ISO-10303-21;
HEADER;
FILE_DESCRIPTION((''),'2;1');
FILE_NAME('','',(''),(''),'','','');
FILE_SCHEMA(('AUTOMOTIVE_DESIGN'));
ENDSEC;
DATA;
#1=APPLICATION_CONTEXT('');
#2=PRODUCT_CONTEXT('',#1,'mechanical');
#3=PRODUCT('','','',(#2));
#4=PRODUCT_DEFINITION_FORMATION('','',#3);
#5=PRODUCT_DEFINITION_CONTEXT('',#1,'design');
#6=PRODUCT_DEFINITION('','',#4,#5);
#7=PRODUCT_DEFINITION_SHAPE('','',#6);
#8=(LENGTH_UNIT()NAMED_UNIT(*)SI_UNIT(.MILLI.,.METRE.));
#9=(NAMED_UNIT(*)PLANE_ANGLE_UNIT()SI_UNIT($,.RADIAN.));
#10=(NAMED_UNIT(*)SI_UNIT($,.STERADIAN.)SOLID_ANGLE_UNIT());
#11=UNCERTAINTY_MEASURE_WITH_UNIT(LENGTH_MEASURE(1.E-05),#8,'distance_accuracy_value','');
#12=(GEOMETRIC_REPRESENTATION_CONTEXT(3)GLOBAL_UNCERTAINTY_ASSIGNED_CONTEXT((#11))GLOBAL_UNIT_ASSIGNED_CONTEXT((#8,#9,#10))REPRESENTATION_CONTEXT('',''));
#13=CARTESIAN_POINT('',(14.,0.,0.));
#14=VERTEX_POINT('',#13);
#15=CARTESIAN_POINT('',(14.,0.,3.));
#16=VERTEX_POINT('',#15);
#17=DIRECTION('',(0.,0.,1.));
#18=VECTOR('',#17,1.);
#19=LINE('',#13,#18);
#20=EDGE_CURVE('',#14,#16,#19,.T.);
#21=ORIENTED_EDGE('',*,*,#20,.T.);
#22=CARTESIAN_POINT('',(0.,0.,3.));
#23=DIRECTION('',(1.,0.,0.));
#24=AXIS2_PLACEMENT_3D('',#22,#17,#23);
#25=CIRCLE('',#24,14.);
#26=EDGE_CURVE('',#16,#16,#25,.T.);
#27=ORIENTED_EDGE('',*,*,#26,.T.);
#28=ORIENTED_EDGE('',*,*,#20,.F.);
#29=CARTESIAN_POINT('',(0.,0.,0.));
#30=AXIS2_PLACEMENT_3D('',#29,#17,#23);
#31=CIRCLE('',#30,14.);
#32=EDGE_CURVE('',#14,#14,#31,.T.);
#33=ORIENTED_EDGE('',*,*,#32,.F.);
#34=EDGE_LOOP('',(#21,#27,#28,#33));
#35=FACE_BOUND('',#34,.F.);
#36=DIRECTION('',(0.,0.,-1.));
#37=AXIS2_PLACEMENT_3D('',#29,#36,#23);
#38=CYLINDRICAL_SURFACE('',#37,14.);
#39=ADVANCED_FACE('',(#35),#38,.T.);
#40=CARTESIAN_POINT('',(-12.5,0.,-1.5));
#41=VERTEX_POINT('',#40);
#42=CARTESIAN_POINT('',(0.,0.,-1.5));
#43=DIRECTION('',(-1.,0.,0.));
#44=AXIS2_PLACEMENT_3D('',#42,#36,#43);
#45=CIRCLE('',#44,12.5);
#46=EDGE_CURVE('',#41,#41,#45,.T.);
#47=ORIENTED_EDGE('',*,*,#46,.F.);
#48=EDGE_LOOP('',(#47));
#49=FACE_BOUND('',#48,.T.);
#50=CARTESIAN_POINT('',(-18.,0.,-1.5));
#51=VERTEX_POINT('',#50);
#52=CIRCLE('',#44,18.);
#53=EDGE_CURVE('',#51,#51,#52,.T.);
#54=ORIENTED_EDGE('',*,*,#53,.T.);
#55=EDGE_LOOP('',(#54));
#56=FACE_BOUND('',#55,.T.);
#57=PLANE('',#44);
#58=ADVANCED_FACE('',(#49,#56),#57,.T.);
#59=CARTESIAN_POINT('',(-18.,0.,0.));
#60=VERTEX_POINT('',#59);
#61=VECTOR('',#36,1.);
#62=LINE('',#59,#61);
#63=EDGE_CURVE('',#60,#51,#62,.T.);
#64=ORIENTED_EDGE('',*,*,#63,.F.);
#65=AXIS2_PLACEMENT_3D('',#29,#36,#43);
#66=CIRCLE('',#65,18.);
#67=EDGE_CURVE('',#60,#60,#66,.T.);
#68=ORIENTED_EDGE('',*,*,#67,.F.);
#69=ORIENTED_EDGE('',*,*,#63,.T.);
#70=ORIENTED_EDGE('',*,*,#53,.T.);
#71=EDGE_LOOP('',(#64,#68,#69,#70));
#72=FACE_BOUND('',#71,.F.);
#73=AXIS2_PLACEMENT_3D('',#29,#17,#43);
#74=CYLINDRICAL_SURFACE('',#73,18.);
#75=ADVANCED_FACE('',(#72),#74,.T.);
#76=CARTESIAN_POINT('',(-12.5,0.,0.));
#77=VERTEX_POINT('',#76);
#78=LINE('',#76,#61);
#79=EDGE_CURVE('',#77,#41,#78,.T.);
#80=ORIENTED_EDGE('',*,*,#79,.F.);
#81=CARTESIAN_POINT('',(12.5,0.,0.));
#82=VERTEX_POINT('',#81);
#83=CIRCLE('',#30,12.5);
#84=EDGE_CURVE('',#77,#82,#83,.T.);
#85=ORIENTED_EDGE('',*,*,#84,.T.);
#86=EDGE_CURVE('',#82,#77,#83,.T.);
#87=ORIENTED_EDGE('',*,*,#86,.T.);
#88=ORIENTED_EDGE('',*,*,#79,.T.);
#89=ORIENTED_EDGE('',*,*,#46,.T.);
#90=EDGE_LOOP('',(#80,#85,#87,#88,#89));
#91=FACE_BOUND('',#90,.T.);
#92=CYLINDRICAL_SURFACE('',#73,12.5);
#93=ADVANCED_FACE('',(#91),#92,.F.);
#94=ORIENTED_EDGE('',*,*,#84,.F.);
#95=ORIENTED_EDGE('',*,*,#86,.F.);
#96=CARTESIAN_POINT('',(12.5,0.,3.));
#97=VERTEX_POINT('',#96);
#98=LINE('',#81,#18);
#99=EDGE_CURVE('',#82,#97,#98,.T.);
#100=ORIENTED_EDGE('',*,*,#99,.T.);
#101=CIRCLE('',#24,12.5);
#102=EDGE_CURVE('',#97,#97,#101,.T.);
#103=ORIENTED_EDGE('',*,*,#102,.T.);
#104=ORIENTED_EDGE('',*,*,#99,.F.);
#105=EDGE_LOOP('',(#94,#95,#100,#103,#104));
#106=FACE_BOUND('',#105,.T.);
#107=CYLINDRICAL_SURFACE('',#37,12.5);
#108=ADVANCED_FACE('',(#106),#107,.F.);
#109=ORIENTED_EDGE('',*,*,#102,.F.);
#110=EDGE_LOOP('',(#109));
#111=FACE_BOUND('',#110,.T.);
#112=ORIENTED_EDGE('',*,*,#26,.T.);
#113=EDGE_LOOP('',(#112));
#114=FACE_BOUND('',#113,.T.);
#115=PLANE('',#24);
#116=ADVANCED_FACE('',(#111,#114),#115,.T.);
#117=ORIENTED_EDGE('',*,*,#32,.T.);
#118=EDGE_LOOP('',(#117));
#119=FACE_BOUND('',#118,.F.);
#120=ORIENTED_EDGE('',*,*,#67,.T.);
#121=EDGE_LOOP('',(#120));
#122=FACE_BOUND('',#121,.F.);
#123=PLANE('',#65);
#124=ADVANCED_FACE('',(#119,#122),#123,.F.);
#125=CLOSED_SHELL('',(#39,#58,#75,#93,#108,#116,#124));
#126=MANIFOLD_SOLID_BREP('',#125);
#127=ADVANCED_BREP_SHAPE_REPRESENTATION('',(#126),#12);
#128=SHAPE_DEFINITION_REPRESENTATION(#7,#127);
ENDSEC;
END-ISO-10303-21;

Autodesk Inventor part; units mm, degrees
ref_plane "YZ Plane" through (0, 0, 0) normal (1, 0, 0) x (0, 1, 0)
ref_plane "XZ Plane" through (0, 0, 0) normal (0, 1, 0) x (-1, 0, 0)
ref_plane "XY Plane" through (0, 0, 0) normal (0, 0, 1) x (1, 0, 0)
sketch "スケッチ1" plane through (0, 0, 0) normal (0, 0, 1) x (1, 0, 0)
  circle A0 centre (0, 0) radius 14
  circle A1 centre (0, 0) radius 12.5
  dimension "d0" = 28
  dimension "d1" = 25
extrude "押し出し1" add sketch "スケッチ1" along normal blind 3
sketch "スケッチ2" plane through (0, 0, 0) normal (0, 0, -1) x (-1, 0, 0)
  circle A0 centre (0, 0) radius 12.5 projected
  circle A1 centre (0, 0) radius 18
  dimension "d4" = 36
extrude "押し出し2" add sketch "スケッチ2" along normal blind 1.5
properties part number "オイレスフランジ付き252804" material "アセタール樹脂、黒"
